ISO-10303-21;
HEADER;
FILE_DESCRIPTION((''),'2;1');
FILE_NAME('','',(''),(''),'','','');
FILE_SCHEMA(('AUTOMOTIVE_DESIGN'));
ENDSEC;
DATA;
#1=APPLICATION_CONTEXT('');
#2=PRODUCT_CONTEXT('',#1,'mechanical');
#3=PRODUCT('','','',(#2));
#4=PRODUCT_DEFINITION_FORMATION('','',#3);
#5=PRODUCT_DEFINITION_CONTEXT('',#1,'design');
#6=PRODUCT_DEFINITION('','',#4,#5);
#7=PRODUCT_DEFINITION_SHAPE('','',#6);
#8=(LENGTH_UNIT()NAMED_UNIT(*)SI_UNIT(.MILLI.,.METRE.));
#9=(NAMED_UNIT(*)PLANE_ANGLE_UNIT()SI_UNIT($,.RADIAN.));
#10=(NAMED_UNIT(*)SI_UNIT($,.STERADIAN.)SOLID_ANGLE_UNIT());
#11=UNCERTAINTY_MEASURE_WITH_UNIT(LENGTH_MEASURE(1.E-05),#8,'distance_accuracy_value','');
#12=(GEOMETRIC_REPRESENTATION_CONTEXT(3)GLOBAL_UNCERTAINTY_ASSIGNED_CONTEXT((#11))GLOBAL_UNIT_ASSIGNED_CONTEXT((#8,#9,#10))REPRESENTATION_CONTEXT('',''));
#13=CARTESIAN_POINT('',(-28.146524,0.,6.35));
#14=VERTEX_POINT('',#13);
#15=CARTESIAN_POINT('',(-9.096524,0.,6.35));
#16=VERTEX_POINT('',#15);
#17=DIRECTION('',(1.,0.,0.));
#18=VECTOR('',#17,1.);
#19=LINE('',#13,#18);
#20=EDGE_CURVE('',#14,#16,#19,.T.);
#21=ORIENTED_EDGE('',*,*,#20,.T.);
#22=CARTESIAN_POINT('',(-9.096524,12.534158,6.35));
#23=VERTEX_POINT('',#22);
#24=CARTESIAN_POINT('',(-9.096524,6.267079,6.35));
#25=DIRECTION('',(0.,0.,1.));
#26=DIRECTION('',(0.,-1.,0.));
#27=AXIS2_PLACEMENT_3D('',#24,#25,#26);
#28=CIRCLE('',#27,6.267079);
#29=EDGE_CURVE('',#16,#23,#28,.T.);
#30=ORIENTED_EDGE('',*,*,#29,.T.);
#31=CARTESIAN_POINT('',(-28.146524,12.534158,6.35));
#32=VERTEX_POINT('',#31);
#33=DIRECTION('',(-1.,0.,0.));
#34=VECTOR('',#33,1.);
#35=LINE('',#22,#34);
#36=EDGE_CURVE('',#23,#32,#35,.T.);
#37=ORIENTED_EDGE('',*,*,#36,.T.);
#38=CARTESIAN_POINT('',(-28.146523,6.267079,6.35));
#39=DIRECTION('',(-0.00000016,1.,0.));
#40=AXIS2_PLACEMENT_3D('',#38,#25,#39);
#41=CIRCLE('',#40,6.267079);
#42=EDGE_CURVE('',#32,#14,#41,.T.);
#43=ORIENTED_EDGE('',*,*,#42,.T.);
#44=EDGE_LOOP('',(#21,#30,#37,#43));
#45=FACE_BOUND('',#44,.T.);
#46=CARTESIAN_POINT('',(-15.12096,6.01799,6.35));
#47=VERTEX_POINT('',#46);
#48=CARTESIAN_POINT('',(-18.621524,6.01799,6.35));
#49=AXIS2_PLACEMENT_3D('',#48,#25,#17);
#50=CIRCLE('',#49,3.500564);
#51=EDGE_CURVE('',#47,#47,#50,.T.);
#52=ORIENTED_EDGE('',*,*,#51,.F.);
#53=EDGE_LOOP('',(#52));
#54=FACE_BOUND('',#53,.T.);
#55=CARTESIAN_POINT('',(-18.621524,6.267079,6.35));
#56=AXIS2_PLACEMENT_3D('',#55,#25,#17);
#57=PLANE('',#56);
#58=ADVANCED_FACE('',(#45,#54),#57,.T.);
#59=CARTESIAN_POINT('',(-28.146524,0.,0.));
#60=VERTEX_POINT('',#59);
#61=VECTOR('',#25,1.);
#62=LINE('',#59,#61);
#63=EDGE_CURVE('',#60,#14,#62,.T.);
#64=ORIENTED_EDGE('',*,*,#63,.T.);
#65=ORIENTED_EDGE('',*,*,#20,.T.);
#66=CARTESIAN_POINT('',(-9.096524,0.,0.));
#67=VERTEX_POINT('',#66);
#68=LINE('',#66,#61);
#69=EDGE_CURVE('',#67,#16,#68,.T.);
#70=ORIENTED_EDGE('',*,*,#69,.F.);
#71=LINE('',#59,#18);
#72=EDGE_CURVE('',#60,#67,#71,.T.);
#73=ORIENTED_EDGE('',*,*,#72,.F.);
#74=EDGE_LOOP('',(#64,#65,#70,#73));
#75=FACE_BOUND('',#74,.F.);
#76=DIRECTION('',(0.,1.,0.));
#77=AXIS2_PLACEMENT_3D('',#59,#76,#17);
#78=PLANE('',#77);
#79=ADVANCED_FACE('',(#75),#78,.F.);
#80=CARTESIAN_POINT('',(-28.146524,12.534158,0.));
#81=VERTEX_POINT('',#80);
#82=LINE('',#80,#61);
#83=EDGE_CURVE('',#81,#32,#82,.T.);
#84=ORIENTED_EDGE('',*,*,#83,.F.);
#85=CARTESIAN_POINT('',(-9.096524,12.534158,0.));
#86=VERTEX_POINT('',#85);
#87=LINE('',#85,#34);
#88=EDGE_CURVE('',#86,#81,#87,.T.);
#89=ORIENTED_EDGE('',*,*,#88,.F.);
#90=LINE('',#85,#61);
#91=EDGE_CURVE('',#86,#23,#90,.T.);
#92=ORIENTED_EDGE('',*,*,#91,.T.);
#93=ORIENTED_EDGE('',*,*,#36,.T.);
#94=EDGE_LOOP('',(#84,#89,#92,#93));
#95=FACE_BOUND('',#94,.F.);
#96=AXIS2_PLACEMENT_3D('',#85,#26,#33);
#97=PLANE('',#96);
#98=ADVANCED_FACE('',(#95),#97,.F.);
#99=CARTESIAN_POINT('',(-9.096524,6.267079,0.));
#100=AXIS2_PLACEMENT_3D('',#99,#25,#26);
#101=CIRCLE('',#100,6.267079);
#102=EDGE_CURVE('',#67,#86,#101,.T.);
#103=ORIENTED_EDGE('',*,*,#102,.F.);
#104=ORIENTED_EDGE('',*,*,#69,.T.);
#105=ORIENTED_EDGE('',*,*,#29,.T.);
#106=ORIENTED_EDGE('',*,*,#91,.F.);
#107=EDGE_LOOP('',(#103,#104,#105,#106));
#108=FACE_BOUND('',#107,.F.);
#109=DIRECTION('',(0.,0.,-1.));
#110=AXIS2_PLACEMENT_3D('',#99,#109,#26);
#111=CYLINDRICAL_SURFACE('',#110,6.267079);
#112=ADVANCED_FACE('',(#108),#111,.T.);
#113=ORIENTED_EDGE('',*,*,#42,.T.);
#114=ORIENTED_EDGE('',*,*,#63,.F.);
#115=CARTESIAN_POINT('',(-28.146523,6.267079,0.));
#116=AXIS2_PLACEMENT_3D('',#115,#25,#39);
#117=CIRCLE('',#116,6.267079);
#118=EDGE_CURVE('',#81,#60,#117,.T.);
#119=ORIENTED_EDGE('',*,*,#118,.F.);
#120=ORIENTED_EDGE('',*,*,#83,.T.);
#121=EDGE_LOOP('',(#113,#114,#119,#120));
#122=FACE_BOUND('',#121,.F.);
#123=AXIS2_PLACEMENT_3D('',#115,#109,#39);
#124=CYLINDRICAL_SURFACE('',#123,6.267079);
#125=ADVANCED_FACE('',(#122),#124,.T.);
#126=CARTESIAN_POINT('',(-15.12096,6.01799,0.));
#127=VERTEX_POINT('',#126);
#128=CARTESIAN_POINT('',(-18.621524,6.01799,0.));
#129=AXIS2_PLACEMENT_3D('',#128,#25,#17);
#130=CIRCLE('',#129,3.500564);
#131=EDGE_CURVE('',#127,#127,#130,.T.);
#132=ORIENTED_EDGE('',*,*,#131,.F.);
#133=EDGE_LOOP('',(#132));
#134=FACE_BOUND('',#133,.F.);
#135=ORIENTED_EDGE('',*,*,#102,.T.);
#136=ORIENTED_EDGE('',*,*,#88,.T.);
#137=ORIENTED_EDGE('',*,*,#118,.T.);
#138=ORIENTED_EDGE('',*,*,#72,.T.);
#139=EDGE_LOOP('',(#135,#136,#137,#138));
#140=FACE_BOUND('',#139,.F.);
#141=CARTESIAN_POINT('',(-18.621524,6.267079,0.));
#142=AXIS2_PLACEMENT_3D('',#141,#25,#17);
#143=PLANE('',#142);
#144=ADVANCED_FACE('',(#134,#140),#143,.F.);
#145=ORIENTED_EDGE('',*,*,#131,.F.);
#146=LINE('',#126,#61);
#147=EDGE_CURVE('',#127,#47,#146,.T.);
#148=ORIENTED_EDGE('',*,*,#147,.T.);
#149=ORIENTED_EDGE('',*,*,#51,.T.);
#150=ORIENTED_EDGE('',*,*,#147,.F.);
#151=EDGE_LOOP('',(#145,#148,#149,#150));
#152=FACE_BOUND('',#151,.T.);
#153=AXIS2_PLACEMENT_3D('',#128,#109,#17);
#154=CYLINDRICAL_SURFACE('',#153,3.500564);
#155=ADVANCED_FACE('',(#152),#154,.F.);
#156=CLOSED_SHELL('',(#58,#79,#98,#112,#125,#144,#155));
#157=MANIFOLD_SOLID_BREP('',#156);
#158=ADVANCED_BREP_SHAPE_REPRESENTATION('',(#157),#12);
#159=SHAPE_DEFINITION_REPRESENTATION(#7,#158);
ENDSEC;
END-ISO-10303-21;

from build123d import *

# Parameters (mm, degrees)
F0_R     = 3.500564
F1_DEPTH = 6.35


with BuildPart() as f1:
    # F0 (on Top) → F1 (new body)
    with BuildSketch(Plane.XY):
        with BuildLine():
            Line((-9.096524, 12.534158), (-28.146524, 12.534158))
            ThreePointArc((-28.146524, 12.534158), (-34.413602, 6.267079), (-28.146524, 0))
            Line((-28.146524, 0), (-9.096524, 0))
            ThreePointArc((-9.096524, 0), (-2.829445, 6.267079), (-9.096524, 12.534158))
        make_face()
        with Locations((-18.621524, 6.01799)):
            Circle(F0_R, mode=Mode.SUBTRACT)
    extrude(amount=F1_DEPTH)


solid = f1.part
